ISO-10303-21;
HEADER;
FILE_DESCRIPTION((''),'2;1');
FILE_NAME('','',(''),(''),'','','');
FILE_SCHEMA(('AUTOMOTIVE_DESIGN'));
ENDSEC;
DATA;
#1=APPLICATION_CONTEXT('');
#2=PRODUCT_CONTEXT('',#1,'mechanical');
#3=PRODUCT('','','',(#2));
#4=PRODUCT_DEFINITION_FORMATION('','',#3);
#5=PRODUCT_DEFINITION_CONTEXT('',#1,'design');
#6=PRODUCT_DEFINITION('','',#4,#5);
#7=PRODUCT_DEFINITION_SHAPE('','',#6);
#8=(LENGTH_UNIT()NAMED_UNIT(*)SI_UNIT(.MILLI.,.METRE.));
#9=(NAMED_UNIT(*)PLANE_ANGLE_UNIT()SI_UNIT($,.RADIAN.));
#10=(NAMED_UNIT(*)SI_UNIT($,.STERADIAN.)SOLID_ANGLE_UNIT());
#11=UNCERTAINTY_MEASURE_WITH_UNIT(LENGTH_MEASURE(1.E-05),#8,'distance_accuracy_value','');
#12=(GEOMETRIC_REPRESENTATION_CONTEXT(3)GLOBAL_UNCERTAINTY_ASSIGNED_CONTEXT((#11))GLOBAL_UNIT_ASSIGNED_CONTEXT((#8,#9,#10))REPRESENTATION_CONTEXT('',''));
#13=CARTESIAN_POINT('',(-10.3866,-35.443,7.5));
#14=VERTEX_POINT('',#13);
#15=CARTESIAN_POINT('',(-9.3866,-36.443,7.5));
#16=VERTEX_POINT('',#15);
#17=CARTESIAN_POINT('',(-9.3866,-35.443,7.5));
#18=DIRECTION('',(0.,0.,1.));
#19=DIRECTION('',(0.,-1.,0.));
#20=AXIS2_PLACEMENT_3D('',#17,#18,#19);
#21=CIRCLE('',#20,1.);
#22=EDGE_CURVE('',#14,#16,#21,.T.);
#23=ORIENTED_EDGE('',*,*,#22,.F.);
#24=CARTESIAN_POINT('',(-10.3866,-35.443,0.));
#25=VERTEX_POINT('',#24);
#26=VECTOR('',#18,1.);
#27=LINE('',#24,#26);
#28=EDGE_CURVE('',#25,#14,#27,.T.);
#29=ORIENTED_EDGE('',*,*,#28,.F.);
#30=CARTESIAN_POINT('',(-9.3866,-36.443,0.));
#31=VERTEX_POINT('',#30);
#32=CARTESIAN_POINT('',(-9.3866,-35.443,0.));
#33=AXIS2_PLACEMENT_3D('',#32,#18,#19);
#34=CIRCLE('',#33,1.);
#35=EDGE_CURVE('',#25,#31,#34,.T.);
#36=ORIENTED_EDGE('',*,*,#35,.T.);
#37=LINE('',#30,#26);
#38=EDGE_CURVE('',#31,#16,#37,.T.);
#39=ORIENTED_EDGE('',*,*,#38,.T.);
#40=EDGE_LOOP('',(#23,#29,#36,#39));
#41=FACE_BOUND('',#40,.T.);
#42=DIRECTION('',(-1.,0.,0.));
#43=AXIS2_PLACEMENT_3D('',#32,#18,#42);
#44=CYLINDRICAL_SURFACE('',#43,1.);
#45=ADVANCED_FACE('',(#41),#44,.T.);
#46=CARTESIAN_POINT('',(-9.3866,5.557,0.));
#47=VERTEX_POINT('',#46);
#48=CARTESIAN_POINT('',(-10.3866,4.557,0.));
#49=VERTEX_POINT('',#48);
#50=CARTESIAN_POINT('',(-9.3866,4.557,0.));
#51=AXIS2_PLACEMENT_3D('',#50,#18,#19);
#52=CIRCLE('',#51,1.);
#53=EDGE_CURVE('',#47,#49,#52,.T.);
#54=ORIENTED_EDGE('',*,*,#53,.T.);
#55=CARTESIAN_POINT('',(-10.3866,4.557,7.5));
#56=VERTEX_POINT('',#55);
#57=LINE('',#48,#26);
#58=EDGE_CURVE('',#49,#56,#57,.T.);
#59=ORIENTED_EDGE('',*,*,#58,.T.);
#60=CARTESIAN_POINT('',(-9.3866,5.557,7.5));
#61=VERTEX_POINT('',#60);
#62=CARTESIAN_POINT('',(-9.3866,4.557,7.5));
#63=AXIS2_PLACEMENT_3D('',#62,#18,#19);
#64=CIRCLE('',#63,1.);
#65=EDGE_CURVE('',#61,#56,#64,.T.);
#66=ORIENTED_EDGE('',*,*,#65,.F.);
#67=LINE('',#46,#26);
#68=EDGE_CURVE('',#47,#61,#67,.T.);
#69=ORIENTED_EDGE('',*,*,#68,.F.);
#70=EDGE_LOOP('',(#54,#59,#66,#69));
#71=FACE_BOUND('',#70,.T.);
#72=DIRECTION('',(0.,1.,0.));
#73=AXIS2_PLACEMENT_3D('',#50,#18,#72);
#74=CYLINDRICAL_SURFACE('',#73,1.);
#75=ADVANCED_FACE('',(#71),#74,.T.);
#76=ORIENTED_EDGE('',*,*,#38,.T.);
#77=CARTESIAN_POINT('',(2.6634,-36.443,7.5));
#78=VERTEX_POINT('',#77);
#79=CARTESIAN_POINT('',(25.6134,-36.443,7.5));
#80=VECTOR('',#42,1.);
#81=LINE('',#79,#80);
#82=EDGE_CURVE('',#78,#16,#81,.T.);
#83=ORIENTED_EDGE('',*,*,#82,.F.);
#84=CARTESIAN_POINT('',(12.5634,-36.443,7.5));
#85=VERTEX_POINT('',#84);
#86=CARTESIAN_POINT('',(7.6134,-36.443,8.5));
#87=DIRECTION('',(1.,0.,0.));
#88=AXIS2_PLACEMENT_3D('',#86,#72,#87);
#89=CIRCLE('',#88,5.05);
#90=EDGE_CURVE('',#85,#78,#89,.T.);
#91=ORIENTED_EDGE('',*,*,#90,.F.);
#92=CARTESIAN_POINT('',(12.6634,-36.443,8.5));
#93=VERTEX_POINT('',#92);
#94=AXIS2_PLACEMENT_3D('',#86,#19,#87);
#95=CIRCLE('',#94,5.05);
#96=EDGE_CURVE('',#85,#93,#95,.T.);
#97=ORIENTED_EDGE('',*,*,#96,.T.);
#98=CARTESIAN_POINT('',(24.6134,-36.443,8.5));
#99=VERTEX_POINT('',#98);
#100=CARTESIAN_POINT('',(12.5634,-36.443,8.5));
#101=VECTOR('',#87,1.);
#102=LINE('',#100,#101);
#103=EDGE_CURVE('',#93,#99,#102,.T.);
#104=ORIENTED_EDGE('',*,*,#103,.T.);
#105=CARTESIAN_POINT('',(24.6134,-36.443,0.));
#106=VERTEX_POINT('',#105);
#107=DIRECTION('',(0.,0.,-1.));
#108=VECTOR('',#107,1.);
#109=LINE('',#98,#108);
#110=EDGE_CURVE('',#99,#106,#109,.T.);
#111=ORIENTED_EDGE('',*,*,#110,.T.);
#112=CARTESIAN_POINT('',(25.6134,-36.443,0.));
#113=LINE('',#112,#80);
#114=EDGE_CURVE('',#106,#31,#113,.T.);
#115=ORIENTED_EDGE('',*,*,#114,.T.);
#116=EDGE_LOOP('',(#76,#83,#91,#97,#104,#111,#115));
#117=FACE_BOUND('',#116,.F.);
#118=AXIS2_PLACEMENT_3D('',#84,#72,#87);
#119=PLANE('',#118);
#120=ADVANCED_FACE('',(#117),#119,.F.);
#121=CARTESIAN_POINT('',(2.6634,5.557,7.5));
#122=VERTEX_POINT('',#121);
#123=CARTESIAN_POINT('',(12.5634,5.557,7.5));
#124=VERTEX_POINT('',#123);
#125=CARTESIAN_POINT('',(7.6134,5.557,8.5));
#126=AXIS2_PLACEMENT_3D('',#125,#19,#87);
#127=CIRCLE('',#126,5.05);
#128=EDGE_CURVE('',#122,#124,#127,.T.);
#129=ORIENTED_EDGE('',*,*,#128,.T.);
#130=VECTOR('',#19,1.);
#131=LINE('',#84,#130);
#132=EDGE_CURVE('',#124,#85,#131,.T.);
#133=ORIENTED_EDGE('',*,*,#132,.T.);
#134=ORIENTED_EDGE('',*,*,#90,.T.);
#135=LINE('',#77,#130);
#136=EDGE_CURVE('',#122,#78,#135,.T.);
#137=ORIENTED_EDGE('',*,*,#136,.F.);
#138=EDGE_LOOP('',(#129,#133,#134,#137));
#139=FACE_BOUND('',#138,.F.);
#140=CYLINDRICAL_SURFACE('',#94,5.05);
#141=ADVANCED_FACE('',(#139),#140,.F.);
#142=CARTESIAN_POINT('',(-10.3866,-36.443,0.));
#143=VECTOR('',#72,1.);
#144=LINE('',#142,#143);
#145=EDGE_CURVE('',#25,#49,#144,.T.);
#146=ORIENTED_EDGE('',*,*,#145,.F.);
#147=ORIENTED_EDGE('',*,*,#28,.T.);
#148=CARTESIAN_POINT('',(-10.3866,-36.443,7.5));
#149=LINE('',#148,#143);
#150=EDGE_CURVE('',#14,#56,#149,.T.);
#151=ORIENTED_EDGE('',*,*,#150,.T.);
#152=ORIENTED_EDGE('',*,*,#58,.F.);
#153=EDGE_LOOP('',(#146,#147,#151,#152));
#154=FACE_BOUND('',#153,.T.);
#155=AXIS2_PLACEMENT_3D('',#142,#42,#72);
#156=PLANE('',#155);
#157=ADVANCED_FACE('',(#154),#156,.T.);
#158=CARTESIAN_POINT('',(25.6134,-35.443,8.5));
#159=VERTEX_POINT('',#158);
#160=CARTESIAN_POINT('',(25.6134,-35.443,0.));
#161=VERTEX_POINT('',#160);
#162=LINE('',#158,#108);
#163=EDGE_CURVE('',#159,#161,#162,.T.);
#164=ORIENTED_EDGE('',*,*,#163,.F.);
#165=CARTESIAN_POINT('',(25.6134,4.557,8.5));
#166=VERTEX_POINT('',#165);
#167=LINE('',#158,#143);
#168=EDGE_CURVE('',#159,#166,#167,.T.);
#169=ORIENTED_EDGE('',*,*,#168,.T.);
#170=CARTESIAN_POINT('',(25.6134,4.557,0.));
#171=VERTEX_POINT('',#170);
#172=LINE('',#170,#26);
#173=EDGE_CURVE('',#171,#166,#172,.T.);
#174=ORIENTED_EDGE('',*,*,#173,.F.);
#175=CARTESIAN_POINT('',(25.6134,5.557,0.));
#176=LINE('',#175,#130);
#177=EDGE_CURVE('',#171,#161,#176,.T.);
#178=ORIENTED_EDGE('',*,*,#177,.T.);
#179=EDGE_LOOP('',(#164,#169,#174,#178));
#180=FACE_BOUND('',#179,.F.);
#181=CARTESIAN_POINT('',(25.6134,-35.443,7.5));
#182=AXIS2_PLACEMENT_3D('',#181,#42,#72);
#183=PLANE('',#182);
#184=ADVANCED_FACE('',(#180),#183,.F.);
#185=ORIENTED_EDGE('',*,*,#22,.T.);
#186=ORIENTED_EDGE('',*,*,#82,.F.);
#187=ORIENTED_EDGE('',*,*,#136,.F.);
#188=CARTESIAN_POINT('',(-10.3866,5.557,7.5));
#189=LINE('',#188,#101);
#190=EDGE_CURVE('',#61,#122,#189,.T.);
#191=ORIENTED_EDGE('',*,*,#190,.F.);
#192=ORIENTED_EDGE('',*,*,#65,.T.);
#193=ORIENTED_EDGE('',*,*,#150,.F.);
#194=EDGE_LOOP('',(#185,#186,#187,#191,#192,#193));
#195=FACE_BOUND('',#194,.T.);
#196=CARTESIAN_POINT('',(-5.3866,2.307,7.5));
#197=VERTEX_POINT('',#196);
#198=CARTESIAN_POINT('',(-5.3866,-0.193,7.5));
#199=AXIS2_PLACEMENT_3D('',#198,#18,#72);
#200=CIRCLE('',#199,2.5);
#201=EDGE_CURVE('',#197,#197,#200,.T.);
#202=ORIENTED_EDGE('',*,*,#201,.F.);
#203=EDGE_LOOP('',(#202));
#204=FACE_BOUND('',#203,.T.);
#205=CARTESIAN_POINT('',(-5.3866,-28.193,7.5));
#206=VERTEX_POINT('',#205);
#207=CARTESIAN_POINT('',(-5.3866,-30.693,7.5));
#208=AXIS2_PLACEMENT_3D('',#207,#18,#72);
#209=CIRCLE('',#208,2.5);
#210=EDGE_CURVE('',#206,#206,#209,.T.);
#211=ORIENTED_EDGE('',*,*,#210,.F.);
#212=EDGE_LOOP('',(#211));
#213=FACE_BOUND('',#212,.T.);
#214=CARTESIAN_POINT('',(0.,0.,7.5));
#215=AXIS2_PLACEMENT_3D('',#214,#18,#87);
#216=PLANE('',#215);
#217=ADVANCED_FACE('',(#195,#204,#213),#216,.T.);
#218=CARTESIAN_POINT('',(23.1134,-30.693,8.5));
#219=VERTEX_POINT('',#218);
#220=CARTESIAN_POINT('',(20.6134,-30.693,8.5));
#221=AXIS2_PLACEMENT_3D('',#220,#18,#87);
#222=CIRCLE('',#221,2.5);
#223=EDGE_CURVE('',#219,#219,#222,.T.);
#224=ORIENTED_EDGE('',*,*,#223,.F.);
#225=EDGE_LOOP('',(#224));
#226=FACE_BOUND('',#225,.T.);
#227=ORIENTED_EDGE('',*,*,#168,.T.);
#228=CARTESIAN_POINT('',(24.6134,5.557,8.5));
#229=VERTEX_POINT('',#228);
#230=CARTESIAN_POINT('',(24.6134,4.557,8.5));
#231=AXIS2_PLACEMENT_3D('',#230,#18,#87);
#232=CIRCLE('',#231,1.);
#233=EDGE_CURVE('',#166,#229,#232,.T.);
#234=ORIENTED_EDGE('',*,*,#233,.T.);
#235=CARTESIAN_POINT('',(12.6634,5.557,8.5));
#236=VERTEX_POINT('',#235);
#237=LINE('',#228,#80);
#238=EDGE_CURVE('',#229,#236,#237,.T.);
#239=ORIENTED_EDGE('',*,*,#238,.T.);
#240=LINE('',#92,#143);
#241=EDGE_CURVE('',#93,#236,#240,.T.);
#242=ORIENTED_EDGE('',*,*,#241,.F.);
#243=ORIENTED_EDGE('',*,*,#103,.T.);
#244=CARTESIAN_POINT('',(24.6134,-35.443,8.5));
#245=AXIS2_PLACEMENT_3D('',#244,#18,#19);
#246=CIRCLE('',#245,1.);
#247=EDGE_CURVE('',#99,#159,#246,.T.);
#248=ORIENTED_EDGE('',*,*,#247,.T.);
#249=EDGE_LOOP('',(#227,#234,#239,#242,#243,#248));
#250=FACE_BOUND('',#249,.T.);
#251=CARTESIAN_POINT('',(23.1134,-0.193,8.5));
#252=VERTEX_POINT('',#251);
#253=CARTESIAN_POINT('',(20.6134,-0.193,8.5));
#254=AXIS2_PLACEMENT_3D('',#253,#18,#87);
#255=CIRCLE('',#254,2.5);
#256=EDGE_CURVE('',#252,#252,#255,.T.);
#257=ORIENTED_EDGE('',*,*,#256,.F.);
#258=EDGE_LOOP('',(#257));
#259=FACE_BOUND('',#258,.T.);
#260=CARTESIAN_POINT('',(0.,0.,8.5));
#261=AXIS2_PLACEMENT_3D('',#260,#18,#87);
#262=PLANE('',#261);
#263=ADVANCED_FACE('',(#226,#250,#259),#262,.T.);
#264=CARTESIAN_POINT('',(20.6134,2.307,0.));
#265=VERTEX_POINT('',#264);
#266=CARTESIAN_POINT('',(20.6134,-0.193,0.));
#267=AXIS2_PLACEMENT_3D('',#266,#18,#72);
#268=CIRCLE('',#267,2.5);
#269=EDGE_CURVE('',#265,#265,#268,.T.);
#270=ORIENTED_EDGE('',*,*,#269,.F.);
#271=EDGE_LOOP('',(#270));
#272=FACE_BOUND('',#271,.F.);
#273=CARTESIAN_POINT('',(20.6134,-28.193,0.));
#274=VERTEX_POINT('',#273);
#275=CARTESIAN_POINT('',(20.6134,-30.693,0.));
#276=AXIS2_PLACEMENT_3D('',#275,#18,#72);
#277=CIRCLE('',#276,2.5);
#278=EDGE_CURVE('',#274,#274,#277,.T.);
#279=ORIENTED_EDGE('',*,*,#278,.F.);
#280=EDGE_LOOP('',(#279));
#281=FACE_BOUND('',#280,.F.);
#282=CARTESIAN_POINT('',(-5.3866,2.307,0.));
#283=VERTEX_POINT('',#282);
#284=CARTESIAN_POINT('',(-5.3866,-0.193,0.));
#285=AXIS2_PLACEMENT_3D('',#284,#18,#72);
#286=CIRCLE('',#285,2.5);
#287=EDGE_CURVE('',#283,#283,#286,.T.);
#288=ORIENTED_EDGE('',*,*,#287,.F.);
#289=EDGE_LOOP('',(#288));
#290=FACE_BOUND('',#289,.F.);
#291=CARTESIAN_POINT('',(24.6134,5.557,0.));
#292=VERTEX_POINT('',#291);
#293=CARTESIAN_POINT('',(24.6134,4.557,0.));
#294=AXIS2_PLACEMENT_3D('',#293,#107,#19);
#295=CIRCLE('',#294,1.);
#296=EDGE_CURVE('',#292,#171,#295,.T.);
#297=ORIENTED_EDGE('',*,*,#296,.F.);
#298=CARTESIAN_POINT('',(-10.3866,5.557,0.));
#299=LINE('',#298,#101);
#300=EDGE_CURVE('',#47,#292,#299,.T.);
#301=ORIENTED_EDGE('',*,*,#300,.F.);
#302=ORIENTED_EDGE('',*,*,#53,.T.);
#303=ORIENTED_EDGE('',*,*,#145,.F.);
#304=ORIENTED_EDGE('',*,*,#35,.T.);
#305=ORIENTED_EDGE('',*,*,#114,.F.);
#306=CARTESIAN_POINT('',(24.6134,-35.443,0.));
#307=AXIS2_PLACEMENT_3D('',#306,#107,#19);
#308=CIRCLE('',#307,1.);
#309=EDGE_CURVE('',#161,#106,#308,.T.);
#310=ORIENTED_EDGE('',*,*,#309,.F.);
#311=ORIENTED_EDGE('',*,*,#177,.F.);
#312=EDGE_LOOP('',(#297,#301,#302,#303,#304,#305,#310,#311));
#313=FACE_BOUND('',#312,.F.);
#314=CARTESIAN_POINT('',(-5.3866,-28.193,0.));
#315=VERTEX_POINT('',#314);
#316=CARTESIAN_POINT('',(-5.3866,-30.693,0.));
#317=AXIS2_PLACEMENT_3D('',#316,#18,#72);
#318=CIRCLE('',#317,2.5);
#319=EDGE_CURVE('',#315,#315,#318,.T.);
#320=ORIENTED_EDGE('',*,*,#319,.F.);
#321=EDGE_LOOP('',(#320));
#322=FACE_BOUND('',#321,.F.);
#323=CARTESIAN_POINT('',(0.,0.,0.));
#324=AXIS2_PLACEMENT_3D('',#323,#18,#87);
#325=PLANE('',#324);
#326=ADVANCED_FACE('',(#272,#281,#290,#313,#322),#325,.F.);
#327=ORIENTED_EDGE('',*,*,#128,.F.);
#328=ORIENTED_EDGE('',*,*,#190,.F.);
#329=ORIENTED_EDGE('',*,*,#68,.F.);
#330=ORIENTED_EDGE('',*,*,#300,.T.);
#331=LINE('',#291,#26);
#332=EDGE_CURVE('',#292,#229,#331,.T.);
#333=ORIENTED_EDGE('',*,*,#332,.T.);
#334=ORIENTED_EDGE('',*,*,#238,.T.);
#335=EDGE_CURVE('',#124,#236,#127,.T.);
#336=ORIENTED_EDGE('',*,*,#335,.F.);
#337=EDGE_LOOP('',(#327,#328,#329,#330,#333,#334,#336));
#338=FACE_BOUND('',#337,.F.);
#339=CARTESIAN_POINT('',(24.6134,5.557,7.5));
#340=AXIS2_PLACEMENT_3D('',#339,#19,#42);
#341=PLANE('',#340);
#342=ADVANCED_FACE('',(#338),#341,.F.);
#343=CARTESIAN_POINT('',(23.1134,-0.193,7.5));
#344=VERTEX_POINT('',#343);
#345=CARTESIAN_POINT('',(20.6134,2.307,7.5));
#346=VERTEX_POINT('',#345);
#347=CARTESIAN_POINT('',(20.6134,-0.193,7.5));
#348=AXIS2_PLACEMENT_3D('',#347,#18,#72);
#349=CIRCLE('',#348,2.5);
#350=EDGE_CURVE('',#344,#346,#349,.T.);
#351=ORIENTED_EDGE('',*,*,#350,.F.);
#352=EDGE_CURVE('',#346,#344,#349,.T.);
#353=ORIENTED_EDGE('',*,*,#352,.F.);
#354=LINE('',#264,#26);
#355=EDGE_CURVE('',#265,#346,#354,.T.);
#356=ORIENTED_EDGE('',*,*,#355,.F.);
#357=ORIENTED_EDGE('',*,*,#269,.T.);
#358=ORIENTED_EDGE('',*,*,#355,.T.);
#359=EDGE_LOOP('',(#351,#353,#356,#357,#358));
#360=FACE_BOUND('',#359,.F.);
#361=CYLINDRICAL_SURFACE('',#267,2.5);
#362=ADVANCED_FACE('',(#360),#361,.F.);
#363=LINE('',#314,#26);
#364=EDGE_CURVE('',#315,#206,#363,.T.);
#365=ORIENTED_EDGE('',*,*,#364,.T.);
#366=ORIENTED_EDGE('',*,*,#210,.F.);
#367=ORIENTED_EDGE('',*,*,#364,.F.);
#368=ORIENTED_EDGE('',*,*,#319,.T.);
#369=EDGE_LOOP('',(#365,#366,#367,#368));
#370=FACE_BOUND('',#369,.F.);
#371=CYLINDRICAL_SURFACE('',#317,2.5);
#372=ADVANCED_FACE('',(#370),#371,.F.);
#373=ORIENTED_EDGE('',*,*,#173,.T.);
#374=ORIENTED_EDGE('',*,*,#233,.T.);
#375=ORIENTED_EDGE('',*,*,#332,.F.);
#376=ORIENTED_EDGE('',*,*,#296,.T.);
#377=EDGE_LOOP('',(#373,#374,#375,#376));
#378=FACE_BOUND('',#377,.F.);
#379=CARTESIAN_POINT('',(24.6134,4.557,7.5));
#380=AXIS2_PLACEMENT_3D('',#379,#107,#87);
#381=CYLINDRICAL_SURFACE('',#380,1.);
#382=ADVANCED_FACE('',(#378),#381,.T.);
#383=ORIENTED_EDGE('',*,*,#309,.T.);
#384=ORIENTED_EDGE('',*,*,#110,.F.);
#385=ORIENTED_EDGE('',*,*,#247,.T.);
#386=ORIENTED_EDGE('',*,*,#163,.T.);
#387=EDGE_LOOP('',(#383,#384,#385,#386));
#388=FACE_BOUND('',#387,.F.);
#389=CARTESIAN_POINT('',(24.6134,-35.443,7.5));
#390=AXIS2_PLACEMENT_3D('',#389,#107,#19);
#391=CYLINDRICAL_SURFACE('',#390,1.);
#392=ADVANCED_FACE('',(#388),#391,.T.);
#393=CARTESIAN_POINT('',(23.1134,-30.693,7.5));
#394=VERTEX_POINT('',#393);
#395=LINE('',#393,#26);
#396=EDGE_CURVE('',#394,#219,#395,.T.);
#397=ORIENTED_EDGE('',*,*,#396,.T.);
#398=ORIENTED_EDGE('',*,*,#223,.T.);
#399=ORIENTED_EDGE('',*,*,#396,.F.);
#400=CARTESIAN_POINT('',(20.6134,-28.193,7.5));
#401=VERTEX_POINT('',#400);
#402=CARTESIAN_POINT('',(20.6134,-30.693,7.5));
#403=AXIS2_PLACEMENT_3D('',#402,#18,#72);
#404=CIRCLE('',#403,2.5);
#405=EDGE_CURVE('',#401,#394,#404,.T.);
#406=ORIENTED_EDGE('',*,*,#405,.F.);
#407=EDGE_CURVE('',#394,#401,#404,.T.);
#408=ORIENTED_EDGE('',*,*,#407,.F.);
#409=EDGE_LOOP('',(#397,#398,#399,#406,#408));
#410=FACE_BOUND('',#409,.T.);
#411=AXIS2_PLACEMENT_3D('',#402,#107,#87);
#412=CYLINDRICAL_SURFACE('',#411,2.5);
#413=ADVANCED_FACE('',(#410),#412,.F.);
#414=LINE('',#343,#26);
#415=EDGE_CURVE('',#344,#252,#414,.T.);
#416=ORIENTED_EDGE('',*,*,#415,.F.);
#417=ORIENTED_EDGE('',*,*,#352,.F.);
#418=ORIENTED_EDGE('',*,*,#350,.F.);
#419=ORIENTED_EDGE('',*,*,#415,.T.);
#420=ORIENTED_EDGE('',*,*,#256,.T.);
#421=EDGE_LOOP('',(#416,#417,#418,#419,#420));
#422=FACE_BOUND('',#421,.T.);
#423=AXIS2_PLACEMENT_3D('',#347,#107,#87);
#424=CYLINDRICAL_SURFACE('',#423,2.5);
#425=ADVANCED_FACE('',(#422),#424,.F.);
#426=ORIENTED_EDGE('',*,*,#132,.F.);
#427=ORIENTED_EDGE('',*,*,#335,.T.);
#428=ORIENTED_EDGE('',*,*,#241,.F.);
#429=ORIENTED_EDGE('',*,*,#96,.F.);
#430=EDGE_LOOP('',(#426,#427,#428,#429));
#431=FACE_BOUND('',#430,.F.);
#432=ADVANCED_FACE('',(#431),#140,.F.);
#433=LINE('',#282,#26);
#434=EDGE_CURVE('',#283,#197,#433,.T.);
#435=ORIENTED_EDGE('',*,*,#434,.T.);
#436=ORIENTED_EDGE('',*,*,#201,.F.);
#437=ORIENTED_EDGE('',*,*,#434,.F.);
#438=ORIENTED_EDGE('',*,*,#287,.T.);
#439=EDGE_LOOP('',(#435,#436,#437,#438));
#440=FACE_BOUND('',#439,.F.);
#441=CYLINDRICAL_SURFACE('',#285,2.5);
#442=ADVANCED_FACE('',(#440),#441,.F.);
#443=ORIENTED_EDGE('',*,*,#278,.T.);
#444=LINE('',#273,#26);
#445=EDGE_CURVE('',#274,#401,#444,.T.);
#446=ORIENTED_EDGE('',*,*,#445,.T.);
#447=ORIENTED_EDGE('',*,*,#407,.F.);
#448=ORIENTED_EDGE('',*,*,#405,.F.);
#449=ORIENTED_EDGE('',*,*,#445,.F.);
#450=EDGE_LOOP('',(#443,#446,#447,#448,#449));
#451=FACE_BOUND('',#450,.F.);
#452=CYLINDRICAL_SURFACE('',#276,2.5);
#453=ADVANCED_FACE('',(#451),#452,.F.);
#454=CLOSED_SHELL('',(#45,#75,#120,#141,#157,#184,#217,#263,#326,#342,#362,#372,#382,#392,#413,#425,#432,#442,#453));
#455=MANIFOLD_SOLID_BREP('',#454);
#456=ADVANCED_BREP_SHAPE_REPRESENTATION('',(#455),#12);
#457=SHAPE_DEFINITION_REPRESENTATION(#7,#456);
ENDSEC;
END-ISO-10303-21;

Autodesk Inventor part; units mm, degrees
ref_plane "YZ Plane" through (0, 0, 0) normal (1, 0, 0) x (0, 1, 0)
ref_plane "XZ Plane" through (0, 0, 0) normal (0, 1, 0) x (-1, 0, 0)
ref_plane "XY Plane" through (0, 0, 0) normal (0, 0, 1) x (1, 0, 0)
sketch "Szkic1" plane through (0, 0, 0) normal (0, 0, 1) x (1, 0, 0)
  line L0 (-10.3866, 5.557) -> (25.6134, 5.557)
  line L1 (25.6134, 5.557) -> (25.6134, -36.443)
  line L2 (25.6134, -36.443) -> (-10.3866, -36.443)
  line L3 (-10.3866, -36.443) -> (-10.3866, 5.557)
  point P0 (0, 0)
  point P1 (20.6134, -0.193)
  point P2 (20.6134, -30.693)
  point P3 (-5.3866, -0.193)
  point P4 (-5.3866, -30.693)
  dimension "d0" = 36
  dimension "d1" = 42
  dimension "d2" = 5
  dimension "d3" = 5
  dimension "d4" = 5
  dimension "d5" = 5
  dimension "d6" = 5.75
  dimension "d7" = 5.75
  dimension "d8" = 5.75
  dimension "d9" = 5.75
extrude "Wyciągnięcie proste1" add sketch "Szkic1" along normal blind 7.5
hole "Otwór1" at (20.6134, -0.193, 0) at (20.6134, -30.693, 0) at (-5.3866, -0.193, 0) at (-5.3866, -30.693, 0) direction (0, 0, 1) diameter 5 end through all
sketch "Szkic2" plane through (-10.3866, -36.443, 0) normal (0, -1, 0) x (1, 0, 0)
  line L0 (36, 0) -> (0, 0) projected
  line L1 (36, 0) -> (36, 7.5) projected
  line L2 (0, 7.5) -> (36, 7.5) projected
  line L3 (0, 0) -> (0, 7.5) projected
  line L4 (36, 7.5) -> (0, 7.5) projected
  circle A0 centre (18, 8.5) radius 5.05
  point P0 (10.3866, 0)
  dimension "d19" = 36
  dimension "d25" = 8.5
  dimension "d26" = 18
  dimension "d27" = 10.1
extrude "Wyciągnięcie proste2" cut sketch "Szkic2" against normal through all contours A0 L2 | L2 A0
fillet "Zaokrąglenie1" radius 1 4 edges at (-10.3866, -36.443, 3.75) (-10.3866, 5.557, 3.75) (25.6134, -36.443, 3.75) (25.6134, 5.557, 3.75)
sketch "Szkic3" plane through (0, 0, 7.5) normal (0, 0, 1) x (1, 0, 0)
  arc A0 (25.6134, 4.557) -> (24.6134, 5.557) centre (24.6134, 4.557) ccw projected
  line L0 (24.6134, 5.557) -> (12.5634, 5.557) projected
  line L1 (12.5634, 5.557) -> (12.5634, -36.443) projected
  line L2 (12.5634, -36.443) -> (24.6134, -36.443) projected
  arc A1 (24.6134, -36.443) -> (25.6134, -35.443) centre (24.6134, -35.443) ccw projected
  line L3 (25.6134, -35.443) -> (25.6134, 4.557) projected
  circle A2 centre (20.6134, -0.193) radius 2.5 projected
  circle A3 centre (20.6134, -30.693) radius 2.5 projected
  point P0 (0, 0)
extrude "Wyciągnięcie proste3" add sketch "Szkic3" along normal blind 1
sketch "Szkic4" plane through (-9.3866, -36.443, 0) normal (0, -1, 0) x (1, 0, 0)
  line L0 (34, 8.5) -> (34, 0) projected
  line L1 (21.95, 8.5) -> (34, 8.5) projected
  line L2 (21.95, 7.5) -> (21.95, 8.5) projected
  arc A0 (12.05, 7.5) -> (21.95, 7.5) centre (17, 8.5) ccw projected
  line L3 (0, 7.5) -> (12.05, 7.5) projected
  line L4 (0, 0) -> (0, 7.5) projected
  line L5 (34, 0) -> (0, 0) projected
  circle A1 centre (17, 8.5) radius 5.05
  point P0 (9.3866, 0)
  dimension "d30" = 10.1
extrude "Wyciągnięcie proste4" cut sketch "Szkic4" against normal through all contours A1 L2 L1 | L1 L2 A0 A1
equation "\"d7\" = d6"
equation "\"d8\" = d7"
equation "\"d9\" = d6"
equation "\"d26\" = 0.5 * d19"
properties part number "3DP_ABS_X_Axis_Linear_Shaft_Clamp_Bottom"
